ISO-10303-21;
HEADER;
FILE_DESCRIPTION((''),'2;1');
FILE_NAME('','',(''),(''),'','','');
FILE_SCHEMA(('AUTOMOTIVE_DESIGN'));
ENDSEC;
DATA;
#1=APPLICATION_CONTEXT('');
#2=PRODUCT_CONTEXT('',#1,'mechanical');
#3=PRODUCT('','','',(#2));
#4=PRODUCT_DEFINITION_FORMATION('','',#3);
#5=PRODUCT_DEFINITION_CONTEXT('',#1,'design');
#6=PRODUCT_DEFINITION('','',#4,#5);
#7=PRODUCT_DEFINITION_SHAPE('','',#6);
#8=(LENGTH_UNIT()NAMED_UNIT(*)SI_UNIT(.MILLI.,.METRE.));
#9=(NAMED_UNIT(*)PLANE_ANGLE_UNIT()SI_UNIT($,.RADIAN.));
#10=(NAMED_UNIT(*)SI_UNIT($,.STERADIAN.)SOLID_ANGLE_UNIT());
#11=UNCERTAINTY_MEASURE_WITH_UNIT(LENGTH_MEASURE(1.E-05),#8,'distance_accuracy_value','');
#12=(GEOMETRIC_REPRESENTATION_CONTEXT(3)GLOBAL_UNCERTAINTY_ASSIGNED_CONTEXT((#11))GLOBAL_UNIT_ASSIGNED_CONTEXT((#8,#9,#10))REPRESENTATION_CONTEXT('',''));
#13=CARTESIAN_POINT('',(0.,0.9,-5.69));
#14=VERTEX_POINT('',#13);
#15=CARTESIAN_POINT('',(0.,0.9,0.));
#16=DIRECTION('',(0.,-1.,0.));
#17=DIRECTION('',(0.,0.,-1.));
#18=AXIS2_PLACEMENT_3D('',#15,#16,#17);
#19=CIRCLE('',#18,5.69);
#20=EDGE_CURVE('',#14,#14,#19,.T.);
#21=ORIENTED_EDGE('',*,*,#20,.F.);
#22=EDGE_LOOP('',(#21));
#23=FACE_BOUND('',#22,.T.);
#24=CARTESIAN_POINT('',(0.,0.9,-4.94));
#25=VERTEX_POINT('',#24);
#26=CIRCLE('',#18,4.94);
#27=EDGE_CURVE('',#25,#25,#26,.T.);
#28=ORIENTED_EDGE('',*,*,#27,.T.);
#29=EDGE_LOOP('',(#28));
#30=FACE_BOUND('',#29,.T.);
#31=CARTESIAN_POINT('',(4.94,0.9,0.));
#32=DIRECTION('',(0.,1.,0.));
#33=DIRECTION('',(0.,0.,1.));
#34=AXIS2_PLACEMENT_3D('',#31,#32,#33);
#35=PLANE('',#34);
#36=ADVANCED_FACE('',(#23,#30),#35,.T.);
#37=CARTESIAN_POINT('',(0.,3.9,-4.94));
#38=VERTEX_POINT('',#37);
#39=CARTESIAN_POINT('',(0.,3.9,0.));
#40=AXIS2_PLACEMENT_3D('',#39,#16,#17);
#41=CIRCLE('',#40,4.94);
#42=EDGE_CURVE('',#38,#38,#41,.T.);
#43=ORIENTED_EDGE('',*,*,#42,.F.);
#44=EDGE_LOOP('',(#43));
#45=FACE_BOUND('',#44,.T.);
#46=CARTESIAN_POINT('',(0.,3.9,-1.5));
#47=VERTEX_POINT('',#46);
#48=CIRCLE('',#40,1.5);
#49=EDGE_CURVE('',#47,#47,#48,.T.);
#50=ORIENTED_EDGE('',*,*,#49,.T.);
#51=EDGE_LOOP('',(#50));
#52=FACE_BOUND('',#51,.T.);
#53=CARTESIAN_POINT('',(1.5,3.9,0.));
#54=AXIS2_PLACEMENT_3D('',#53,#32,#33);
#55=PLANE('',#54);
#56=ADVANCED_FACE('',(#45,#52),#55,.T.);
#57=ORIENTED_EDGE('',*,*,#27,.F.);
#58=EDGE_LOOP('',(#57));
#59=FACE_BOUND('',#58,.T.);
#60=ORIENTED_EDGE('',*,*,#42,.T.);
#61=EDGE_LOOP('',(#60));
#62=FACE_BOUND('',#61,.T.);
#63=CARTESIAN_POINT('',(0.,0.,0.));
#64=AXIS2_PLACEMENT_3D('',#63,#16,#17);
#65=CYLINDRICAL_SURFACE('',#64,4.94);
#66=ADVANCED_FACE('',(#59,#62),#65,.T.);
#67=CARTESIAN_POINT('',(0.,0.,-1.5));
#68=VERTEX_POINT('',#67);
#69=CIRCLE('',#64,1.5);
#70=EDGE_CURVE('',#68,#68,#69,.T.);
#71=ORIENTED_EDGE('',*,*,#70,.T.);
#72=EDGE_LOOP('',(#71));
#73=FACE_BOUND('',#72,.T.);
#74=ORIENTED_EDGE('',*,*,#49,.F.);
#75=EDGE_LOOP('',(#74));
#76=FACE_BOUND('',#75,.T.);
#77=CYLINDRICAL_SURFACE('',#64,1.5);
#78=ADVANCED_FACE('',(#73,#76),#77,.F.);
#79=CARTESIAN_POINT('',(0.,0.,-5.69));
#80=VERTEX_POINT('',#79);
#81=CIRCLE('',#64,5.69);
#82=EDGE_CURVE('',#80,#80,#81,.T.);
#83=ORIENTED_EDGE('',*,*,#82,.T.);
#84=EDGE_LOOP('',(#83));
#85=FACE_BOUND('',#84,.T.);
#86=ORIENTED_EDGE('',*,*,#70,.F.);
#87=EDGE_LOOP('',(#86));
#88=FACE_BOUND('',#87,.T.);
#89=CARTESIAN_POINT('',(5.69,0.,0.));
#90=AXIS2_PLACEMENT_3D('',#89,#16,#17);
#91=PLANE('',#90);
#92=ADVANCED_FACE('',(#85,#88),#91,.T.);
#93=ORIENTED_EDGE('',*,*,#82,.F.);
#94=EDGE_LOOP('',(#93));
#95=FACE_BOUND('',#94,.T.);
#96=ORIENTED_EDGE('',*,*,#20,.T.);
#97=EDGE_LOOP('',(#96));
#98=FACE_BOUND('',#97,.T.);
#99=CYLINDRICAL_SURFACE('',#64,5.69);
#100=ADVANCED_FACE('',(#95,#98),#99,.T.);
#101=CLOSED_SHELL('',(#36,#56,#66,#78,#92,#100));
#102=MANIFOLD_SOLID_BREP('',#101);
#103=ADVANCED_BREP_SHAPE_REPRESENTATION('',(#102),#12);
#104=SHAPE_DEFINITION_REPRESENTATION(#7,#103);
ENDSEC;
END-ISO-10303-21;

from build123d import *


with BuildPart() as part:
    # Esboço1 → Revolução1 (revolve)
    with BuildSketch(Plane.XY, mode=Mode.PRIVATE) as revolu_o1_sk:
        Polygon((1.5, 0), (1.5, 3.9), (4.94, 3.9), (4.94, 0.9), (5.69, 0.9), (5.69, 0), align=None)
    revolve(revolu_o1_sk.sketch.rotate(Axis((0, 0, 0), (0, 1, 0)), 90), axis=Axis((0, 0, 0), (0, 1, 0)))


solid = part.part
